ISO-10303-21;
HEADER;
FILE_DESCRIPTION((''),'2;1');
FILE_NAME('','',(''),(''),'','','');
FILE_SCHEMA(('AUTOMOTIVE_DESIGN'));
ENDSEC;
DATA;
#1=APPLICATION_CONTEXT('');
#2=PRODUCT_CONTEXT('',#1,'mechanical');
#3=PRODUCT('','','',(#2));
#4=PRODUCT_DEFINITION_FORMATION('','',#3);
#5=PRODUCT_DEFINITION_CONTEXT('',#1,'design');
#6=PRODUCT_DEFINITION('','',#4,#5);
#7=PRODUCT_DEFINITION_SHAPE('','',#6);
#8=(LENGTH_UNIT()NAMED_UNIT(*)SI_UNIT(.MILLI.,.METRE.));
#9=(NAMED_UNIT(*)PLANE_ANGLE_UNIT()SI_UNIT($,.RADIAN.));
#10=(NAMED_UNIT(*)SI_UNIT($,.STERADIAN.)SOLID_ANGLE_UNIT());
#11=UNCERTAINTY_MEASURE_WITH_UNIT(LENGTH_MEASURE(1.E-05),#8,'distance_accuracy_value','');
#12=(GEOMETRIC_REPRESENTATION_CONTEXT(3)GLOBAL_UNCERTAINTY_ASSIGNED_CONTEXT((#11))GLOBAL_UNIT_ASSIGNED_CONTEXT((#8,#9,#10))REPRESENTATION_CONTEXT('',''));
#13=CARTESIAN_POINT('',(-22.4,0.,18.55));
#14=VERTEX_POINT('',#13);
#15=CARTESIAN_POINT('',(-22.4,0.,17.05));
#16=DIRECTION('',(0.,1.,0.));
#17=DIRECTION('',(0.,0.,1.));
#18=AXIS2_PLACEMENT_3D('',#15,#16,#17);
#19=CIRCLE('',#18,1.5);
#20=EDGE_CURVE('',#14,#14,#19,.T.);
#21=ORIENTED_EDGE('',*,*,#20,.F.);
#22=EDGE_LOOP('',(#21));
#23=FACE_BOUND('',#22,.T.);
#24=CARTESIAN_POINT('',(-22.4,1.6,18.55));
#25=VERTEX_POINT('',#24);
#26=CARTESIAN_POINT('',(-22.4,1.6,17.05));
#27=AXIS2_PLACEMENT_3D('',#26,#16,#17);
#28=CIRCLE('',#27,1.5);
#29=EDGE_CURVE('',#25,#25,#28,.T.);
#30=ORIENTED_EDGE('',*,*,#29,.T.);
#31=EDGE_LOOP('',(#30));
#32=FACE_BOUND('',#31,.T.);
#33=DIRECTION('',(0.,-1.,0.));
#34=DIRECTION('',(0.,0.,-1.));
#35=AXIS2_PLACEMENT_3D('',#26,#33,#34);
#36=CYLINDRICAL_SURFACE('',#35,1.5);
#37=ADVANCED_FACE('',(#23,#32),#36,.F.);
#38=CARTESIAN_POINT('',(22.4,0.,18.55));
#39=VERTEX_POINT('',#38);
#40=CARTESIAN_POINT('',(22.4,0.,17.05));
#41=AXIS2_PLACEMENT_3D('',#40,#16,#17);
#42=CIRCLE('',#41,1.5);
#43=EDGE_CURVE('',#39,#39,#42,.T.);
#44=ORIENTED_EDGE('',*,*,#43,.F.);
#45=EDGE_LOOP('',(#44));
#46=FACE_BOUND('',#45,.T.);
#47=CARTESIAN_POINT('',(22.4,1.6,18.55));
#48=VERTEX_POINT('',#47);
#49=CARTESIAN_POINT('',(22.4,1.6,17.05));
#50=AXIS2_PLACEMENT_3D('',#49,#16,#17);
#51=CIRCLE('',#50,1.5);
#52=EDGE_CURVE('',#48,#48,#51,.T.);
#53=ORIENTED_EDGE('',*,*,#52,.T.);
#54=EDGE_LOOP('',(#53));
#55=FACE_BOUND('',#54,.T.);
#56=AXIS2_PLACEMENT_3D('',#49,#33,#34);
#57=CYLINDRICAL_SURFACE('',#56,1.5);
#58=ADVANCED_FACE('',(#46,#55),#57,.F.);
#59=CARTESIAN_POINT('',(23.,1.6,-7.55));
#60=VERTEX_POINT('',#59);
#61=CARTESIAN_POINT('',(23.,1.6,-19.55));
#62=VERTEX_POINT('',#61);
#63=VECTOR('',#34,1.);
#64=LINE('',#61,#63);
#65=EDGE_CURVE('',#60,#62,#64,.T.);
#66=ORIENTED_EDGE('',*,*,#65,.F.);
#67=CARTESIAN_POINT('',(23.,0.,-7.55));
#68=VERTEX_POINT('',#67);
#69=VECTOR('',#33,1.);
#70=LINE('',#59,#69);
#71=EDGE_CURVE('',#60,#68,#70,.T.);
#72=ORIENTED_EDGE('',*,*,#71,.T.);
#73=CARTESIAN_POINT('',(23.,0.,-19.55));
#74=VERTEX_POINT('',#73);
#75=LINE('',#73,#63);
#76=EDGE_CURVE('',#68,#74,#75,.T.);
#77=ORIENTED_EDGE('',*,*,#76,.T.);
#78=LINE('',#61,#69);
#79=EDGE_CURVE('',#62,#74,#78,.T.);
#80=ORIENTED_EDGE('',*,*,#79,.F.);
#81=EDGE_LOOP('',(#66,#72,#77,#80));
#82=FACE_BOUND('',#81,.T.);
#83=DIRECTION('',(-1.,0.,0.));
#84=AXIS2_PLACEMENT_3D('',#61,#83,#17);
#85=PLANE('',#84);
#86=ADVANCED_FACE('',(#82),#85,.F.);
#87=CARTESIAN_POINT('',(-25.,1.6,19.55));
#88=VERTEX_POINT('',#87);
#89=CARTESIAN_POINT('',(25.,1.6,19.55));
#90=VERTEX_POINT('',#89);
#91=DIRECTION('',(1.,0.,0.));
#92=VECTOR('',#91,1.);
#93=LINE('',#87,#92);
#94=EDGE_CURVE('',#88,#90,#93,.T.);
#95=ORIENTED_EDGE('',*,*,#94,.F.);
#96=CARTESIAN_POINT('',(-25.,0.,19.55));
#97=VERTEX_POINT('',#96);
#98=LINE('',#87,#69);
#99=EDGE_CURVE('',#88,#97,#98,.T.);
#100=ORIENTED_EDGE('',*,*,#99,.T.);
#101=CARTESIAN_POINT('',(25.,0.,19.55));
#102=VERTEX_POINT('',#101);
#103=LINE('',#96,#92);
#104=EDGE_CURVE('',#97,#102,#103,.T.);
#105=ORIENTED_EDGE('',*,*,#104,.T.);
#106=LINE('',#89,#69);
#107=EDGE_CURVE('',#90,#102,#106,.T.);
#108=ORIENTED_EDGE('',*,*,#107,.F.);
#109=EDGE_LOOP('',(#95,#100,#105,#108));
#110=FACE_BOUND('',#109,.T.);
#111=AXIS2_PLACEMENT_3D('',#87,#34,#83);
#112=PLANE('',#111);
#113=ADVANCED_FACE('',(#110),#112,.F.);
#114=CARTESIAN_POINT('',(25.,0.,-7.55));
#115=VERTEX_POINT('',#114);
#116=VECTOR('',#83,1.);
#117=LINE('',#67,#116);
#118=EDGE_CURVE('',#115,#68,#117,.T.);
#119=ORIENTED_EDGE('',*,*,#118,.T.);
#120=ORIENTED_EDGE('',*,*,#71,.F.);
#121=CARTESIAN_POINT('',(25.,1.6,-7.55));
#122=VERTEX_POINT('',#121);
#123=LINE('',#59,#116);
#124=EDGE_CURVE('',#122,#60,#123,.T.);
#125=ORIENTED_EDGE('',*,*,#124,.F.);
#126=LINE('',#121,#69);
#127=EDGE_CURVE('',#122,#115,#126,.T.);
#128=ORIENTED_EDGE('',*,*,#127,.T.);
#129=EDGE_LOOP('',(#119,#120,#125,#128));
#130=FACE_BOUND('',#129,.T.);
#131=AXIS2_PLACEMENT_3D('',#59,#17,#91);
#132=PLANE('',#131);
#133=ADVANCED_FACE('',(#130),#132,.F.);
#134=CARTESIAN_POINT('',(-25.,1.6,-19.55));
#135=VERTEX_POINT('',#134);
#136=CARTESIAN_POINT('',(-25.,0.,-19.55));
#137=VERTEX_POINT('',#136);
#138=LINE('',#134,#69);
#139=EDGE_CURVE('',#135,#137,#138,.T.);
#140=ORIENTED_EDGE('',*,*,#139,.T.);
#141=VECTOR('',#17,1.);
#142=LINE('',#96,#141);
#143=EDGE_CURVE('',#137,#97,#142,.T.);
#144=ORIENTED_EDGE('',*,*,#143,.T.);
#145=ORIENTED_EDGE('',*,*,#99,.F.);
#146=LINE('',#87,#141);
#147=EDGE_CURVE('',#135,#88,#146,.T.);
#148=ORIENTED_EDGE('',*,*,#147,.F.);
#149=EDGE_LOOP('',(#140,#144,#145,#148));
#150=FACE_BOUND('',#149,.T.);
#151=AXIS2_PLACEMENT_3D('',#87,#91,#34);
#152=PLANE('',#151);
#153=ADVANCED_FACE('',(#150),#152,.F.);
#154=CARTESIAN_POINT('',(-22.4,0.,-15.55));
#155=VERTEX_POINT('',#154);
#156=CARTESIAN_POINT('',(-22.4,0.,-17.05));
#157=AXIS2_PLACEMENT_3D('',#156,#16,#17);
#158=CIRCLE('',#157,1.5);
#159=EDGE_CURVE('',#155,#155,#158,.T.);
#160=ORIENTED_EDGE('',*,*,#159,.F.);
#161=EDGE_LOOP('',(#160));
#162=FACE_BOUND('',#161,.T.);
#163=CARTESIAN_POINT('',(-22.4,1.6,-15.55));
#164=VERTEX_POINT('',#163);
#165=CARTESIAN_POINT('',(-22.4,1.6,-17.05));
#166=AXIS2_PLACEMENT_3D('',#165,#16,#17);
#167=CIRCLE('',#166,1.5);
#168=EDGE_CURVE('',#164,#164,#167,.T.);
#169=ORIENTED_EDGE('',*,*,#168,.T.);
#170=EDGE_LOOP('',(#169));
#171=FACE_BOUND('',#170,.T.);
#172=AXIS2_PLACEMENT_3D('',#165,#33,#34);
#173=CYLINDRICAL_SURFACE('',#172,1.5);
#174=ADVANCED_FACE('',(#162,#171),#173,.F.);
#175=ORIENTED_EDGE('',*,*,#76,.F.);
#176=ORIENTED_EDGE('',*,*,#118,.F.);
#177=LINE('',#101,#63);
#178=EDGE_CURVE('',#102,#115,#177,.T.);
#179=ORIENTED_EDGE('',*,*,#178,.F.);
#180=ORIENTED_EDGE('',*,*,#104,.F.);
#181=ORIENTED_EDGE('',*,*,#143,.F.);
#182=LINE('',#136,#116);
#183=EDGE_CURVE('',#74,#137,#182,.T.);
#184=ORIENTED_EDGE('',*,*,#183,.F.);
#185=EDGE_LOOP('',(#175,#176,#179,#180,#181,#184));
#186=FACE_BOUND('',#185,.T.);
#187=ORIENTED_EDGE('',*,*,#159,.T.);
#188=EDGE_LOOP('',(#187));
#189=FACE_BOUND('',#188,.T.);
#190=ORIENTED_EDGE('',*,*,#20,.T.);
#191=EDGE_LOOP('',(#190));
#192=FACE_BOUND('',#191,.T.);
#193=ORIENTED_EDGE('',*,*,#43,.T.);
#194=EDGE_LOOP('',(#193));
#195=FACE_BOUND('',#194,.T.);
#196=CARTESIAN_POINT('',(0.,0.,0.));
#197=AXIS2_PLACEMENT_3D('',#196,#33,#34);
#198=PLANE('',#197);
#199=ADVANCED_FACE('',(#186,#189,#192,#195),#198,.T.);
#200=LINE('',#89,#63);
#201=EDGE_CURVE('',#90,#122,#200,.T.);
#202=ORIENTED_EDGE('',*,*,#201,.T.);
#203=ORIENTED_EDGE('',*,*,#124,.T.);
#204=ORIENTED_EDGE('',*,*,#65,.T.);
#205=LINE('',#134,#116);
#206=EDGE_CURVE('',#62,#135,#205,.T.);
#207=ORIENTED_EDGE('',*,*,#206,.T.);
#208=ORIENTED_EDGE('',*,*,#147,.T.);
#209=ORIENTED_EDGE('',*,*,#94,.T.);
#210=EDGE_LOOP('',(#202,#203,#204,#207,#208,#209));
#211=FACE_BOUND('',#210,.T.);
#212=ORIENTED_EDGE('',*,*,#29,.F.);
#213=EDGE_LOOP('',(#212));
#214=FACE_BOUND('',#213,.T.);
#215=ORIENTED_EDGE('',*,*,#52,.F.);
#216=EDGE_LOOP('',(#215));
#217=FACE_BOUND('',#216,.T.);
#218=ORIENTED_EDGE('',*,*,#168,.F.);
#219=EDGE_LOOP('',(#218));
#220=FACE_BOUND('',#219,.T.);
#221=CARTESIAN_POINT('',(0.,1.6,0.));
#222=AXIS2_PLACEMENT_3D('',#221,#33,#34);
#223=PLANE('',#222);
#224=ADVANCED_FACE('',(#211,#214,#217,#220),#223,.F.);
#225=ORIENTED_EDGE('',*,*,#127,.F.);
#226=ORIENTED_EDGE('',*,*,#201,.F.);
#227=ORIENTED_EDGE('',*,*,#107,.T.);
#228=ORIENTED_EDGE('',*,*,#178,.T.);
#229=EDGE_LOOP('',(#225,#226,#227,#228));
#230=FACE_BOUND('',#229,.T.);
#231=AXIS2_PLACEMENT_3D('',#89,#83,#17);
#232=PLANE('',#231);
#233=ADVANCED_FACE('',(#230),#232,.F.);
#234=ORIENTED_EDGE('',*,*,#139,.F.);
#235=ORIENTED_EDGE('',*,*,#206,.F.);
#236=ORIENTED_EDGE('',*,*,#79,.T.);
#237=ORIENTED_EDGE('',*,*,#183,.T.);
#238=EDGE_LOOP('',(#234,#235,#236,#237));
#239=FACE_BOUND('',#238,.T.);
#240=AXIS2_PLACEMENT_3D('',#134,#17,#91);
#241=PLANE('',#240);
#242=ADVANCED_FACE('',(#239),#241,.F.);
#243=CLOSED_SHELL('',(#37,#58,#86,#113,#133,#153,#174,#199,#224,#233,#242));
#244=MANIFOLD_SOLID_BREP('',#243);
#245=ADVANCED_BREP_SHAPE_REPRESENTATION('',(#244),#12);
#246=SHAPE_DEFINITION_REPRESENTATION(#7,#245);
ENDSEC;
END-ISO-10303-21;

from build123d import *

# Parameters (mm, degrees)
SKETCH1_R           = 1.5
BOSS_EXTRUDE1_DEPTH = 1.6


with BuildPart() as part:
    # Sketch1 → Boss-Extrude1 (new body)
    with BuildSketch(Plane(origin=(0, 0, 0), x_dir=(1, 0, 0), z_dir=(0, 1, 0))):
        Polygon((23, 19.55), (23, 7.55), (25, 7.55), (25, -19.55), (-25, -19.55), (-25, 19.55), align=None)
        with Locations((-22.4, 17.05)):
            Circle(SKETCH1_R, mode=Mode.SUBTRACT)
        with Locations((-22.4, -17.05)):
            Circle(SKETCH1_R, mode=Mode.SUBTRACT)
        with Locations((22.4, -17.05)):
            Circle(SKETCH1_R, mode=Mode.SUBTRACT)
    extrude(amount=BOSS_EXTRUDE1_DEPTH)


solid = part.part
